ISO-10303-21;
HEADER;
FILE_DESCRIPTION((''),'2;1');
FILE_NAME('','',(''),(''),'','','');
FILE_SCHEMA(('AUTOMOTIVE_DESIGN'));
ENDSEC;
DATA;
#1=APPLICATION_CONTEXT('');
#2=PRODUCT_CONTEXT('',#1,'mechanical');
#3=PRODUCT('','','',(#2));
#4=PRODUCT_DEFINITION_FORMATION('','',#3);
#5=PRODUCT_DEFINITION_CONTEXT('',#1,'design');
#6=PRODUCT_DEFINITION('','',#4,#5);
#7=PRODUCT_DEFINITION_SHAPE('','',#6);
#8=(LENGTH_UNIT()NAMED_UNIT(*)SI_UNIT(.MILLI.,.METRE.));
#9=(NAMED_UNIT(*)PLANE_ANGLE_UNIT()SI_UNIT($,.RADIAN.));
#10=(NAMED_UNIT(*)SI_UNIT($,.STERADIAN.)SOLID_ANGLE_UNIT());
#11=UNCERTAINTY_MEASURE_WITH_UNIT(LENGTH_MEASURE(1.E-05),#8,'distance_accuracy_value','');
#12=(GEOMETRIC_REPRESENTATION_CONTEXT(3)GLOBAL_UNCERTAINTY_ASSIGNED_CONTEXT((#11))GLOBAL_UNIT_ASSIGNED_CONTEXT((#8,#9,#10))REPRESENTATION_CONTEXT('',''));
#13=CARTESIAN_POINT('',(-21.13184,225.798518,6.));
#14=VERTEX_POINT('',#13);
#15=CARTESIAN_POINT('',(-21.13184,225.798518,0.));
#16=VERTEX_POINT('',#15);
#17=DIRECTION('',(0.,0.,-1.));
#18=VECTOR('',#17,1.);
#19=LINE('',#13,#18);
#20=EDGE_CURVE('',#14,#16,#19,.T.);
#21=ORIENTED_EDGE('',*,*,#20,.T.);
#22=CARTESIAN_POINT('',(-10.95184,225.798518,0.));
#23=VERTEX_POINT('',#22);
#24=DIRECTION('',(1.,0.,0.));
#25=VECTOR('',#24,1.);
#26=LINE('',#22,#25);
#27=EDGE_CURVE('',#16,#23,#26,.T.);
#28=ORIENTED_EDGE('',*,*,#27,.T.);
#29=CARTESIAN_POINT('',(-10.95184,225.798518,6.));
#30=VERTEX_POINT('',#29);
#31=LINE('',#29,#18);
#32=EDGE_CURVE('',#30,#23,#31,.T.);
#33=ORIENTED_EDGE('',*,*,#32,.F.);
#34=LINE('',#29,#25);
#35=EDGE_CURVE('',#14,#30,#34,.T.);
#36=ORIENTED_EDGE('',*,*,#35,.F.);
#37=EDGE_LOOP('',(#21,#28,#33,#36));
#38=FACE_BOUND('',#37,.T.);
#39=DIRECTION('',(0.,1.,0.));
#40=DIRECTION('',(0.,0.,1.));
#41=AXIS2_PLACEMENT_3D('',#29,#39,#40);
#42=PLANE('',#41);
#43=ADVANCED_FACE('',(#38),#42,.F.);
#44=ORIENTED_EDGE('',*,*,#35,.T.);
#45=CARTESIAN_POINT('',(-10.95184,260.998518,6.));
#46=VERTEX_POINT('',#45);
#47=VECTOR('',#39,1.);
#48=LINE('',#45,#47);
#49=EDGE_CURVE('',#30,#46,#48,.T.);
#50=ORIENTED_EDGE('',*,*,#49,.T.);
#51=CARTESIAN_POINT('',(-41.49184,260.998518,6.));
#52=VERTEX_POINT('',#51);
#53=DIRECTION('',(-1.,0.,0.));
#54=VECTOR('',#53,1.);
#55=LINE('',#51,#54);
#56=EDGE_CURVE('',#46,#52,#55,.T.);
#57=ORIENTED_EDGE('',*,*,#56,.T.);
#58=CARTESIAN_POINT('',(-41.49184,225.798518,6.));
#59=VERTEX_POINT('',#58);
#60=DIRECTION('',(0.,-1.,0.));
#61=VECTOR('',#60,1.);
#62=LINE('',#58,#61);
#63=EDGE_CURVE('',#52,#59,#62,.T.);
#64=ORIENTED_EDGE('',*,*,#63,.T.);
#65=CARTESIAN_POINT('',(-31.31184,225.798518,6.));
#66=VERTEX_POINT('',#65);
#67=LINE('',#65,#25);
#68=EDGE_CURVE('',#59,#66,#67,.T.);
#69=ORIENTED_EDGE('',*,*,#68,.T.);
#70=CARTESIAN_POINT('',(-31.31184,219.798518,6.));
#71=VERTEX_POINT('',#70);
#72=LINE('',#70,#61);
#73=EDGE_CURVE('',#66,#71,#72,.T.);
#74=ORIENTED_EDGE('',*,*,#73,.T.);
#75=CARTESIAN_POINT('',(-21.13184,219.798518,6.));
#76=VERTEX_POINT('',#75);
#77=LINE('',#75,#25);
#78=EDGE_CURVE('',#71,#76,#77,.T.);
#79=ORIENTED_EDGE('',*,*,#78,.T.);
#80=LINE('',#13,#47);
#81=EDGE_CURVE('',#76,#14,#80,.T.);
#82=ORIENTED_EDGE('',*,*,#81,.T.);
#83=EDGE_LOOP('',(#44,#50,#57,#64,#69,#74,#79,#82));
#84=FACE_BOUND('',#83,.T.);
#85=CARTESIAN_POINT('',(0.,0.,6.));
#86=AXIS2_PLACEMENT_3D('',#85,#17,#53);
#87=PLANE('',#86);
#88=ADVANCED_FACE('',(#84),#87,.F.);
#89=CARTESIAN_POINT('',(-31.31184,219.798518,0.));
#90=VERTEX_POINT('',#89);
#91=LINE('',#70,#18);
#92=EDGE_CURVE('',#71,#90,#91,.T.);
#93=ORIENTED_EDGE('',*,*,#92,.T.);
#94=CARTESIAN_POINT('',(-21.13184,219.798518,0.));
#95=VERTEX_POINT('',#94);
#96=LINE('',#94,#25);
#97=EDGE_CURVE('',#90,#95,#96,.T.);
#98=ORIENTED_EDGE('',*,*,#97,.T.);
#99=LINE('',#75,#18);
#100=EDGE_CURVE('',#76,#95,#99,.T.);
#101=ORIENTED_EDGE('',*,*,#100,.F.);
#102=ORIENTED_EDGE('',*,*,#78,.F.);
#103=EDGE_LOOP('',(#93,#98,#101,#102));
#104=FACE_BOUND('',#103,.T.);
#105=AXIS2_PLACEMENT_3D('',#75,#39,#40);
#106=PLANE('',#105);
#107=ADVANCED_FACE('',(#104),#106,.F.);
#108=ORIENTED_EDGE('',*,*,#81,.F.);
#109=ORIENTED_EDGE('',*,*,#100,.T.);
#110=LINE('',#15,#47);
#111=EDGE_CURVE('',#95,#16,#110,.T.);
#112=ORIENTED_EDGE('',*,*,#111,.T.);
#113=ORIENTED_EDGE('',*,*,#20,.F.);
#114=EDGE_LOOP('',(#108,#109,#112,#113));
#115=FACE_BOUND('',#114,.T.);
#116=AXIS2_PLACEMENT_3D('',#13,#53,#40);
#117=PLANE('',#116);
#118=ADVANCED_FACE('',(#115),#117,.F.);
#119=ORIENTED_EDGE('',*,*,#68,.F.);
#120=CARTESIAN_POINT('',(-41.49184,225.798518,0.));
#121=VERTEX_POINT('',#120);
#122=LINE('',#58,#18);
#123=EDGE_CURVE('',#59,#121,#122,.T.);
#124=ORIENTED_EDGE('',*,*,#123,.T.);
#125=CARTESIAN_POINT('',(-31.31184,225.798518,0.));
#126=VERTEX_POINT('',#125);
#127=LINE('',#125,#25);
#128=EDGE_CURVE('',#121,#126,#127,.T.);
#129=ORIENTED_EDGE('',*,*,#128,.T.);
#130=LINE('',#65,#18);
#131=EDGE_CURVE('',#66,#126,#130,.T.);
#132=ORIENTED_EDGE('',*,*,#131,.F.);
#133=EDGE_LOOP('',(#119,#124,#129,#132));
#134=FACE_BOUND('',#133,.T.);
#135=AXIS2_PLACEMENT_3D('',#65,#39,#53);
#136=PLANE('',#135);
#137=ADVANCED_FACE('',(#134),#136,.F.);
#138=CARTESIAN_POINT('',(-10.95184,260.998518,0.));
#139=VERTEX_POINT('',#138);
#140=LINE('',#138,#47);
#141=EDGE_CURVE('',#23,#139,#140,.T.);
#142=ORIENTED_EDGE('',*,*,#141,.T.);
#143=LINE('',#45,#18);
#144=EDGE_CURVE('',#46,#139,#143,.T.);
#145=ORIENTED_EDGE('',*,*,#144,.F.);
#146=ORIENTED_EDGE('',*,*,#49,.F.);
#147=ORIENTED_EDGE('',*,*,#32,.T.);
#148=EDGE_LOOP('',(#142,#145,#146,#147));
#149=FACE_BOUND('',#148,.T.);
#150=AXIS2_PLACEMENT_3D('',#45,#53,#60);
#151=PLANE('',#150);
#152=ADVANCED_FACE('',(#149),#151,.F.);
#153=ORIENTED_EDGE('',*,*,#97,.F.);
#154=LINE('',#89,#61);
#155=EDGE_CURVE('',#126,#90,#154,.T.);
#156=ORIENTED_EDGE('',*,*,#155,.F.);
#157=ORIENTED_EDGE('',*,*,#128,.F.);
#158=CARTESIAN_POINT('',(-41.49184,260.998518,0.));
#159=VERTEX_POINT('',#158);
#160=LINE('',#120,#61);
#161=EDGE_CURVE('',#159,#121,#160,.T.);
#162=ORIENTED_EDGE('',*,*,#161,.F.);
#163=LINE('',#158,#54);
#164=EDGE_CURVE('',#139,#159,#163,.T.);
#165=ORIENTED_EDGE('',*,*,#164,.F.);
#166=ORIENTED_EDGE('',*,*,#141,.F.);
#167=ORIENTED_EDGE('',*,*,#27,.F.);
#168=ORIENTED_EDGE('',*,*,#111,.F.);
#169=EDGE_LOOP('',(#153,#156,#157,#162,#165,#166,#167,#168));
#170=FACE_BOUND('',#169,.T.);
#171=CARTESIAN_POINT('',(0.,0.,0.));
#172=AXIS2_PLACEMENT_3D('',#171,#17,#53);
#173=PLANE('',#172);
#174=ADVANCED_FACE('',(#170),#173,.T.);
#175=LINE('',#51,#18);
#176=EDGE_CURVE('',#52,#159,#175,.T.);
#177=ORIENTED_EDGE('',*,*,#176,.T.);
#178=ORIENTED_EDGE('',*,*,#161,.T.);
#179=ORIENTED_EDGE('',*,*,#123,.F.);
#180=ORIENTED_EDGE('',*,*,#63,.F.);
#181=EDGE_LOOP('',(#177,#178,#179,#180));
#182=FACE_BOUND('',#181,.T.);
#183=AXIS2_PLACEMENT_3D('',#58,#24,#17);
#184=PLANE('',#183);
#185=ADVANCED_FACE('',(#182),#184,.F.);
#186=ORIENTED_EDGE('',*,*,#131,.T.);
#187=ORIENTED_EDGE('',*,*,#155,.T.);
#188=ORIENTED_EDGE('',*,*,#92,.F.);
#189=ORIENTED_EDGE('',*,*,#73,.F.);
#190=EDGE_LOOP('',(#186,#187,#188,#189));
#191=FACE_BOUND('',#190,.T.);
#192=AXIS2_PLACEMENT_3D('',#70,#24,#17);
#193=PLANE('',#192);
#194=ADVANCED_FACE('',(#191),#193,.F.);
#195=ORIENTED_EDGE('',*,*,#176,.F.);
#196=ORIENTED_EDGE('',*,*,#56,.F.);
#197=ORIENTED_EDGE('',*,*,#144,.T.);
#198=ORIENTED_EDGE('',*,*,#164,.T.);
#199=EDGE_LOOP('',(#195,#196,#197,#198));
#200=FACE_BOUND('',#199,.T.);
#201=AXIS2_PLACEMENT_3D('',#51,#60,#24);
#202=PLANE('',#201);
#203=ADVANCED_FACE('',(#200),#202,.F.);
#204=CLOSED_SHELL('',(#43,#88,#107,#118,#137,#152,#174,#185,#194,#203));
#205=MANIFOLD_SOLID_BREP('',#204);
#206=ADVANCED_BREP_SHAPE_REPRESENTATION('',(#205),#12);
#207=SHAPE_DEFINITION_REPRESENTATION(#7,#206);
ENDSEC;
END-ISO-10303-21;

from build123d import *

# Parameters (mm, degrees)
BOSS_EXTRUDE1_DEPTH = 6


with BuildPart() as part:
    # Sketch1 → Boss-Extrude1 (new body)
    with BuildSketch(Plane.XY):
        Polygon((-41.491839967, 260.998518154), (-10.951839967, 260.998518154), (-10.951839967, 225.798518154), (-21.131839967, 225.798518154), (-21.131839967, 219.798518154), (-31.311839967, 219.798518154), (-31.311839967, 225.798518154), (-41.491839967, 225.798518154), align=None)
    extrude(amount=BOSS_EXTRUDE1_DEPTH)


solid = part.part
